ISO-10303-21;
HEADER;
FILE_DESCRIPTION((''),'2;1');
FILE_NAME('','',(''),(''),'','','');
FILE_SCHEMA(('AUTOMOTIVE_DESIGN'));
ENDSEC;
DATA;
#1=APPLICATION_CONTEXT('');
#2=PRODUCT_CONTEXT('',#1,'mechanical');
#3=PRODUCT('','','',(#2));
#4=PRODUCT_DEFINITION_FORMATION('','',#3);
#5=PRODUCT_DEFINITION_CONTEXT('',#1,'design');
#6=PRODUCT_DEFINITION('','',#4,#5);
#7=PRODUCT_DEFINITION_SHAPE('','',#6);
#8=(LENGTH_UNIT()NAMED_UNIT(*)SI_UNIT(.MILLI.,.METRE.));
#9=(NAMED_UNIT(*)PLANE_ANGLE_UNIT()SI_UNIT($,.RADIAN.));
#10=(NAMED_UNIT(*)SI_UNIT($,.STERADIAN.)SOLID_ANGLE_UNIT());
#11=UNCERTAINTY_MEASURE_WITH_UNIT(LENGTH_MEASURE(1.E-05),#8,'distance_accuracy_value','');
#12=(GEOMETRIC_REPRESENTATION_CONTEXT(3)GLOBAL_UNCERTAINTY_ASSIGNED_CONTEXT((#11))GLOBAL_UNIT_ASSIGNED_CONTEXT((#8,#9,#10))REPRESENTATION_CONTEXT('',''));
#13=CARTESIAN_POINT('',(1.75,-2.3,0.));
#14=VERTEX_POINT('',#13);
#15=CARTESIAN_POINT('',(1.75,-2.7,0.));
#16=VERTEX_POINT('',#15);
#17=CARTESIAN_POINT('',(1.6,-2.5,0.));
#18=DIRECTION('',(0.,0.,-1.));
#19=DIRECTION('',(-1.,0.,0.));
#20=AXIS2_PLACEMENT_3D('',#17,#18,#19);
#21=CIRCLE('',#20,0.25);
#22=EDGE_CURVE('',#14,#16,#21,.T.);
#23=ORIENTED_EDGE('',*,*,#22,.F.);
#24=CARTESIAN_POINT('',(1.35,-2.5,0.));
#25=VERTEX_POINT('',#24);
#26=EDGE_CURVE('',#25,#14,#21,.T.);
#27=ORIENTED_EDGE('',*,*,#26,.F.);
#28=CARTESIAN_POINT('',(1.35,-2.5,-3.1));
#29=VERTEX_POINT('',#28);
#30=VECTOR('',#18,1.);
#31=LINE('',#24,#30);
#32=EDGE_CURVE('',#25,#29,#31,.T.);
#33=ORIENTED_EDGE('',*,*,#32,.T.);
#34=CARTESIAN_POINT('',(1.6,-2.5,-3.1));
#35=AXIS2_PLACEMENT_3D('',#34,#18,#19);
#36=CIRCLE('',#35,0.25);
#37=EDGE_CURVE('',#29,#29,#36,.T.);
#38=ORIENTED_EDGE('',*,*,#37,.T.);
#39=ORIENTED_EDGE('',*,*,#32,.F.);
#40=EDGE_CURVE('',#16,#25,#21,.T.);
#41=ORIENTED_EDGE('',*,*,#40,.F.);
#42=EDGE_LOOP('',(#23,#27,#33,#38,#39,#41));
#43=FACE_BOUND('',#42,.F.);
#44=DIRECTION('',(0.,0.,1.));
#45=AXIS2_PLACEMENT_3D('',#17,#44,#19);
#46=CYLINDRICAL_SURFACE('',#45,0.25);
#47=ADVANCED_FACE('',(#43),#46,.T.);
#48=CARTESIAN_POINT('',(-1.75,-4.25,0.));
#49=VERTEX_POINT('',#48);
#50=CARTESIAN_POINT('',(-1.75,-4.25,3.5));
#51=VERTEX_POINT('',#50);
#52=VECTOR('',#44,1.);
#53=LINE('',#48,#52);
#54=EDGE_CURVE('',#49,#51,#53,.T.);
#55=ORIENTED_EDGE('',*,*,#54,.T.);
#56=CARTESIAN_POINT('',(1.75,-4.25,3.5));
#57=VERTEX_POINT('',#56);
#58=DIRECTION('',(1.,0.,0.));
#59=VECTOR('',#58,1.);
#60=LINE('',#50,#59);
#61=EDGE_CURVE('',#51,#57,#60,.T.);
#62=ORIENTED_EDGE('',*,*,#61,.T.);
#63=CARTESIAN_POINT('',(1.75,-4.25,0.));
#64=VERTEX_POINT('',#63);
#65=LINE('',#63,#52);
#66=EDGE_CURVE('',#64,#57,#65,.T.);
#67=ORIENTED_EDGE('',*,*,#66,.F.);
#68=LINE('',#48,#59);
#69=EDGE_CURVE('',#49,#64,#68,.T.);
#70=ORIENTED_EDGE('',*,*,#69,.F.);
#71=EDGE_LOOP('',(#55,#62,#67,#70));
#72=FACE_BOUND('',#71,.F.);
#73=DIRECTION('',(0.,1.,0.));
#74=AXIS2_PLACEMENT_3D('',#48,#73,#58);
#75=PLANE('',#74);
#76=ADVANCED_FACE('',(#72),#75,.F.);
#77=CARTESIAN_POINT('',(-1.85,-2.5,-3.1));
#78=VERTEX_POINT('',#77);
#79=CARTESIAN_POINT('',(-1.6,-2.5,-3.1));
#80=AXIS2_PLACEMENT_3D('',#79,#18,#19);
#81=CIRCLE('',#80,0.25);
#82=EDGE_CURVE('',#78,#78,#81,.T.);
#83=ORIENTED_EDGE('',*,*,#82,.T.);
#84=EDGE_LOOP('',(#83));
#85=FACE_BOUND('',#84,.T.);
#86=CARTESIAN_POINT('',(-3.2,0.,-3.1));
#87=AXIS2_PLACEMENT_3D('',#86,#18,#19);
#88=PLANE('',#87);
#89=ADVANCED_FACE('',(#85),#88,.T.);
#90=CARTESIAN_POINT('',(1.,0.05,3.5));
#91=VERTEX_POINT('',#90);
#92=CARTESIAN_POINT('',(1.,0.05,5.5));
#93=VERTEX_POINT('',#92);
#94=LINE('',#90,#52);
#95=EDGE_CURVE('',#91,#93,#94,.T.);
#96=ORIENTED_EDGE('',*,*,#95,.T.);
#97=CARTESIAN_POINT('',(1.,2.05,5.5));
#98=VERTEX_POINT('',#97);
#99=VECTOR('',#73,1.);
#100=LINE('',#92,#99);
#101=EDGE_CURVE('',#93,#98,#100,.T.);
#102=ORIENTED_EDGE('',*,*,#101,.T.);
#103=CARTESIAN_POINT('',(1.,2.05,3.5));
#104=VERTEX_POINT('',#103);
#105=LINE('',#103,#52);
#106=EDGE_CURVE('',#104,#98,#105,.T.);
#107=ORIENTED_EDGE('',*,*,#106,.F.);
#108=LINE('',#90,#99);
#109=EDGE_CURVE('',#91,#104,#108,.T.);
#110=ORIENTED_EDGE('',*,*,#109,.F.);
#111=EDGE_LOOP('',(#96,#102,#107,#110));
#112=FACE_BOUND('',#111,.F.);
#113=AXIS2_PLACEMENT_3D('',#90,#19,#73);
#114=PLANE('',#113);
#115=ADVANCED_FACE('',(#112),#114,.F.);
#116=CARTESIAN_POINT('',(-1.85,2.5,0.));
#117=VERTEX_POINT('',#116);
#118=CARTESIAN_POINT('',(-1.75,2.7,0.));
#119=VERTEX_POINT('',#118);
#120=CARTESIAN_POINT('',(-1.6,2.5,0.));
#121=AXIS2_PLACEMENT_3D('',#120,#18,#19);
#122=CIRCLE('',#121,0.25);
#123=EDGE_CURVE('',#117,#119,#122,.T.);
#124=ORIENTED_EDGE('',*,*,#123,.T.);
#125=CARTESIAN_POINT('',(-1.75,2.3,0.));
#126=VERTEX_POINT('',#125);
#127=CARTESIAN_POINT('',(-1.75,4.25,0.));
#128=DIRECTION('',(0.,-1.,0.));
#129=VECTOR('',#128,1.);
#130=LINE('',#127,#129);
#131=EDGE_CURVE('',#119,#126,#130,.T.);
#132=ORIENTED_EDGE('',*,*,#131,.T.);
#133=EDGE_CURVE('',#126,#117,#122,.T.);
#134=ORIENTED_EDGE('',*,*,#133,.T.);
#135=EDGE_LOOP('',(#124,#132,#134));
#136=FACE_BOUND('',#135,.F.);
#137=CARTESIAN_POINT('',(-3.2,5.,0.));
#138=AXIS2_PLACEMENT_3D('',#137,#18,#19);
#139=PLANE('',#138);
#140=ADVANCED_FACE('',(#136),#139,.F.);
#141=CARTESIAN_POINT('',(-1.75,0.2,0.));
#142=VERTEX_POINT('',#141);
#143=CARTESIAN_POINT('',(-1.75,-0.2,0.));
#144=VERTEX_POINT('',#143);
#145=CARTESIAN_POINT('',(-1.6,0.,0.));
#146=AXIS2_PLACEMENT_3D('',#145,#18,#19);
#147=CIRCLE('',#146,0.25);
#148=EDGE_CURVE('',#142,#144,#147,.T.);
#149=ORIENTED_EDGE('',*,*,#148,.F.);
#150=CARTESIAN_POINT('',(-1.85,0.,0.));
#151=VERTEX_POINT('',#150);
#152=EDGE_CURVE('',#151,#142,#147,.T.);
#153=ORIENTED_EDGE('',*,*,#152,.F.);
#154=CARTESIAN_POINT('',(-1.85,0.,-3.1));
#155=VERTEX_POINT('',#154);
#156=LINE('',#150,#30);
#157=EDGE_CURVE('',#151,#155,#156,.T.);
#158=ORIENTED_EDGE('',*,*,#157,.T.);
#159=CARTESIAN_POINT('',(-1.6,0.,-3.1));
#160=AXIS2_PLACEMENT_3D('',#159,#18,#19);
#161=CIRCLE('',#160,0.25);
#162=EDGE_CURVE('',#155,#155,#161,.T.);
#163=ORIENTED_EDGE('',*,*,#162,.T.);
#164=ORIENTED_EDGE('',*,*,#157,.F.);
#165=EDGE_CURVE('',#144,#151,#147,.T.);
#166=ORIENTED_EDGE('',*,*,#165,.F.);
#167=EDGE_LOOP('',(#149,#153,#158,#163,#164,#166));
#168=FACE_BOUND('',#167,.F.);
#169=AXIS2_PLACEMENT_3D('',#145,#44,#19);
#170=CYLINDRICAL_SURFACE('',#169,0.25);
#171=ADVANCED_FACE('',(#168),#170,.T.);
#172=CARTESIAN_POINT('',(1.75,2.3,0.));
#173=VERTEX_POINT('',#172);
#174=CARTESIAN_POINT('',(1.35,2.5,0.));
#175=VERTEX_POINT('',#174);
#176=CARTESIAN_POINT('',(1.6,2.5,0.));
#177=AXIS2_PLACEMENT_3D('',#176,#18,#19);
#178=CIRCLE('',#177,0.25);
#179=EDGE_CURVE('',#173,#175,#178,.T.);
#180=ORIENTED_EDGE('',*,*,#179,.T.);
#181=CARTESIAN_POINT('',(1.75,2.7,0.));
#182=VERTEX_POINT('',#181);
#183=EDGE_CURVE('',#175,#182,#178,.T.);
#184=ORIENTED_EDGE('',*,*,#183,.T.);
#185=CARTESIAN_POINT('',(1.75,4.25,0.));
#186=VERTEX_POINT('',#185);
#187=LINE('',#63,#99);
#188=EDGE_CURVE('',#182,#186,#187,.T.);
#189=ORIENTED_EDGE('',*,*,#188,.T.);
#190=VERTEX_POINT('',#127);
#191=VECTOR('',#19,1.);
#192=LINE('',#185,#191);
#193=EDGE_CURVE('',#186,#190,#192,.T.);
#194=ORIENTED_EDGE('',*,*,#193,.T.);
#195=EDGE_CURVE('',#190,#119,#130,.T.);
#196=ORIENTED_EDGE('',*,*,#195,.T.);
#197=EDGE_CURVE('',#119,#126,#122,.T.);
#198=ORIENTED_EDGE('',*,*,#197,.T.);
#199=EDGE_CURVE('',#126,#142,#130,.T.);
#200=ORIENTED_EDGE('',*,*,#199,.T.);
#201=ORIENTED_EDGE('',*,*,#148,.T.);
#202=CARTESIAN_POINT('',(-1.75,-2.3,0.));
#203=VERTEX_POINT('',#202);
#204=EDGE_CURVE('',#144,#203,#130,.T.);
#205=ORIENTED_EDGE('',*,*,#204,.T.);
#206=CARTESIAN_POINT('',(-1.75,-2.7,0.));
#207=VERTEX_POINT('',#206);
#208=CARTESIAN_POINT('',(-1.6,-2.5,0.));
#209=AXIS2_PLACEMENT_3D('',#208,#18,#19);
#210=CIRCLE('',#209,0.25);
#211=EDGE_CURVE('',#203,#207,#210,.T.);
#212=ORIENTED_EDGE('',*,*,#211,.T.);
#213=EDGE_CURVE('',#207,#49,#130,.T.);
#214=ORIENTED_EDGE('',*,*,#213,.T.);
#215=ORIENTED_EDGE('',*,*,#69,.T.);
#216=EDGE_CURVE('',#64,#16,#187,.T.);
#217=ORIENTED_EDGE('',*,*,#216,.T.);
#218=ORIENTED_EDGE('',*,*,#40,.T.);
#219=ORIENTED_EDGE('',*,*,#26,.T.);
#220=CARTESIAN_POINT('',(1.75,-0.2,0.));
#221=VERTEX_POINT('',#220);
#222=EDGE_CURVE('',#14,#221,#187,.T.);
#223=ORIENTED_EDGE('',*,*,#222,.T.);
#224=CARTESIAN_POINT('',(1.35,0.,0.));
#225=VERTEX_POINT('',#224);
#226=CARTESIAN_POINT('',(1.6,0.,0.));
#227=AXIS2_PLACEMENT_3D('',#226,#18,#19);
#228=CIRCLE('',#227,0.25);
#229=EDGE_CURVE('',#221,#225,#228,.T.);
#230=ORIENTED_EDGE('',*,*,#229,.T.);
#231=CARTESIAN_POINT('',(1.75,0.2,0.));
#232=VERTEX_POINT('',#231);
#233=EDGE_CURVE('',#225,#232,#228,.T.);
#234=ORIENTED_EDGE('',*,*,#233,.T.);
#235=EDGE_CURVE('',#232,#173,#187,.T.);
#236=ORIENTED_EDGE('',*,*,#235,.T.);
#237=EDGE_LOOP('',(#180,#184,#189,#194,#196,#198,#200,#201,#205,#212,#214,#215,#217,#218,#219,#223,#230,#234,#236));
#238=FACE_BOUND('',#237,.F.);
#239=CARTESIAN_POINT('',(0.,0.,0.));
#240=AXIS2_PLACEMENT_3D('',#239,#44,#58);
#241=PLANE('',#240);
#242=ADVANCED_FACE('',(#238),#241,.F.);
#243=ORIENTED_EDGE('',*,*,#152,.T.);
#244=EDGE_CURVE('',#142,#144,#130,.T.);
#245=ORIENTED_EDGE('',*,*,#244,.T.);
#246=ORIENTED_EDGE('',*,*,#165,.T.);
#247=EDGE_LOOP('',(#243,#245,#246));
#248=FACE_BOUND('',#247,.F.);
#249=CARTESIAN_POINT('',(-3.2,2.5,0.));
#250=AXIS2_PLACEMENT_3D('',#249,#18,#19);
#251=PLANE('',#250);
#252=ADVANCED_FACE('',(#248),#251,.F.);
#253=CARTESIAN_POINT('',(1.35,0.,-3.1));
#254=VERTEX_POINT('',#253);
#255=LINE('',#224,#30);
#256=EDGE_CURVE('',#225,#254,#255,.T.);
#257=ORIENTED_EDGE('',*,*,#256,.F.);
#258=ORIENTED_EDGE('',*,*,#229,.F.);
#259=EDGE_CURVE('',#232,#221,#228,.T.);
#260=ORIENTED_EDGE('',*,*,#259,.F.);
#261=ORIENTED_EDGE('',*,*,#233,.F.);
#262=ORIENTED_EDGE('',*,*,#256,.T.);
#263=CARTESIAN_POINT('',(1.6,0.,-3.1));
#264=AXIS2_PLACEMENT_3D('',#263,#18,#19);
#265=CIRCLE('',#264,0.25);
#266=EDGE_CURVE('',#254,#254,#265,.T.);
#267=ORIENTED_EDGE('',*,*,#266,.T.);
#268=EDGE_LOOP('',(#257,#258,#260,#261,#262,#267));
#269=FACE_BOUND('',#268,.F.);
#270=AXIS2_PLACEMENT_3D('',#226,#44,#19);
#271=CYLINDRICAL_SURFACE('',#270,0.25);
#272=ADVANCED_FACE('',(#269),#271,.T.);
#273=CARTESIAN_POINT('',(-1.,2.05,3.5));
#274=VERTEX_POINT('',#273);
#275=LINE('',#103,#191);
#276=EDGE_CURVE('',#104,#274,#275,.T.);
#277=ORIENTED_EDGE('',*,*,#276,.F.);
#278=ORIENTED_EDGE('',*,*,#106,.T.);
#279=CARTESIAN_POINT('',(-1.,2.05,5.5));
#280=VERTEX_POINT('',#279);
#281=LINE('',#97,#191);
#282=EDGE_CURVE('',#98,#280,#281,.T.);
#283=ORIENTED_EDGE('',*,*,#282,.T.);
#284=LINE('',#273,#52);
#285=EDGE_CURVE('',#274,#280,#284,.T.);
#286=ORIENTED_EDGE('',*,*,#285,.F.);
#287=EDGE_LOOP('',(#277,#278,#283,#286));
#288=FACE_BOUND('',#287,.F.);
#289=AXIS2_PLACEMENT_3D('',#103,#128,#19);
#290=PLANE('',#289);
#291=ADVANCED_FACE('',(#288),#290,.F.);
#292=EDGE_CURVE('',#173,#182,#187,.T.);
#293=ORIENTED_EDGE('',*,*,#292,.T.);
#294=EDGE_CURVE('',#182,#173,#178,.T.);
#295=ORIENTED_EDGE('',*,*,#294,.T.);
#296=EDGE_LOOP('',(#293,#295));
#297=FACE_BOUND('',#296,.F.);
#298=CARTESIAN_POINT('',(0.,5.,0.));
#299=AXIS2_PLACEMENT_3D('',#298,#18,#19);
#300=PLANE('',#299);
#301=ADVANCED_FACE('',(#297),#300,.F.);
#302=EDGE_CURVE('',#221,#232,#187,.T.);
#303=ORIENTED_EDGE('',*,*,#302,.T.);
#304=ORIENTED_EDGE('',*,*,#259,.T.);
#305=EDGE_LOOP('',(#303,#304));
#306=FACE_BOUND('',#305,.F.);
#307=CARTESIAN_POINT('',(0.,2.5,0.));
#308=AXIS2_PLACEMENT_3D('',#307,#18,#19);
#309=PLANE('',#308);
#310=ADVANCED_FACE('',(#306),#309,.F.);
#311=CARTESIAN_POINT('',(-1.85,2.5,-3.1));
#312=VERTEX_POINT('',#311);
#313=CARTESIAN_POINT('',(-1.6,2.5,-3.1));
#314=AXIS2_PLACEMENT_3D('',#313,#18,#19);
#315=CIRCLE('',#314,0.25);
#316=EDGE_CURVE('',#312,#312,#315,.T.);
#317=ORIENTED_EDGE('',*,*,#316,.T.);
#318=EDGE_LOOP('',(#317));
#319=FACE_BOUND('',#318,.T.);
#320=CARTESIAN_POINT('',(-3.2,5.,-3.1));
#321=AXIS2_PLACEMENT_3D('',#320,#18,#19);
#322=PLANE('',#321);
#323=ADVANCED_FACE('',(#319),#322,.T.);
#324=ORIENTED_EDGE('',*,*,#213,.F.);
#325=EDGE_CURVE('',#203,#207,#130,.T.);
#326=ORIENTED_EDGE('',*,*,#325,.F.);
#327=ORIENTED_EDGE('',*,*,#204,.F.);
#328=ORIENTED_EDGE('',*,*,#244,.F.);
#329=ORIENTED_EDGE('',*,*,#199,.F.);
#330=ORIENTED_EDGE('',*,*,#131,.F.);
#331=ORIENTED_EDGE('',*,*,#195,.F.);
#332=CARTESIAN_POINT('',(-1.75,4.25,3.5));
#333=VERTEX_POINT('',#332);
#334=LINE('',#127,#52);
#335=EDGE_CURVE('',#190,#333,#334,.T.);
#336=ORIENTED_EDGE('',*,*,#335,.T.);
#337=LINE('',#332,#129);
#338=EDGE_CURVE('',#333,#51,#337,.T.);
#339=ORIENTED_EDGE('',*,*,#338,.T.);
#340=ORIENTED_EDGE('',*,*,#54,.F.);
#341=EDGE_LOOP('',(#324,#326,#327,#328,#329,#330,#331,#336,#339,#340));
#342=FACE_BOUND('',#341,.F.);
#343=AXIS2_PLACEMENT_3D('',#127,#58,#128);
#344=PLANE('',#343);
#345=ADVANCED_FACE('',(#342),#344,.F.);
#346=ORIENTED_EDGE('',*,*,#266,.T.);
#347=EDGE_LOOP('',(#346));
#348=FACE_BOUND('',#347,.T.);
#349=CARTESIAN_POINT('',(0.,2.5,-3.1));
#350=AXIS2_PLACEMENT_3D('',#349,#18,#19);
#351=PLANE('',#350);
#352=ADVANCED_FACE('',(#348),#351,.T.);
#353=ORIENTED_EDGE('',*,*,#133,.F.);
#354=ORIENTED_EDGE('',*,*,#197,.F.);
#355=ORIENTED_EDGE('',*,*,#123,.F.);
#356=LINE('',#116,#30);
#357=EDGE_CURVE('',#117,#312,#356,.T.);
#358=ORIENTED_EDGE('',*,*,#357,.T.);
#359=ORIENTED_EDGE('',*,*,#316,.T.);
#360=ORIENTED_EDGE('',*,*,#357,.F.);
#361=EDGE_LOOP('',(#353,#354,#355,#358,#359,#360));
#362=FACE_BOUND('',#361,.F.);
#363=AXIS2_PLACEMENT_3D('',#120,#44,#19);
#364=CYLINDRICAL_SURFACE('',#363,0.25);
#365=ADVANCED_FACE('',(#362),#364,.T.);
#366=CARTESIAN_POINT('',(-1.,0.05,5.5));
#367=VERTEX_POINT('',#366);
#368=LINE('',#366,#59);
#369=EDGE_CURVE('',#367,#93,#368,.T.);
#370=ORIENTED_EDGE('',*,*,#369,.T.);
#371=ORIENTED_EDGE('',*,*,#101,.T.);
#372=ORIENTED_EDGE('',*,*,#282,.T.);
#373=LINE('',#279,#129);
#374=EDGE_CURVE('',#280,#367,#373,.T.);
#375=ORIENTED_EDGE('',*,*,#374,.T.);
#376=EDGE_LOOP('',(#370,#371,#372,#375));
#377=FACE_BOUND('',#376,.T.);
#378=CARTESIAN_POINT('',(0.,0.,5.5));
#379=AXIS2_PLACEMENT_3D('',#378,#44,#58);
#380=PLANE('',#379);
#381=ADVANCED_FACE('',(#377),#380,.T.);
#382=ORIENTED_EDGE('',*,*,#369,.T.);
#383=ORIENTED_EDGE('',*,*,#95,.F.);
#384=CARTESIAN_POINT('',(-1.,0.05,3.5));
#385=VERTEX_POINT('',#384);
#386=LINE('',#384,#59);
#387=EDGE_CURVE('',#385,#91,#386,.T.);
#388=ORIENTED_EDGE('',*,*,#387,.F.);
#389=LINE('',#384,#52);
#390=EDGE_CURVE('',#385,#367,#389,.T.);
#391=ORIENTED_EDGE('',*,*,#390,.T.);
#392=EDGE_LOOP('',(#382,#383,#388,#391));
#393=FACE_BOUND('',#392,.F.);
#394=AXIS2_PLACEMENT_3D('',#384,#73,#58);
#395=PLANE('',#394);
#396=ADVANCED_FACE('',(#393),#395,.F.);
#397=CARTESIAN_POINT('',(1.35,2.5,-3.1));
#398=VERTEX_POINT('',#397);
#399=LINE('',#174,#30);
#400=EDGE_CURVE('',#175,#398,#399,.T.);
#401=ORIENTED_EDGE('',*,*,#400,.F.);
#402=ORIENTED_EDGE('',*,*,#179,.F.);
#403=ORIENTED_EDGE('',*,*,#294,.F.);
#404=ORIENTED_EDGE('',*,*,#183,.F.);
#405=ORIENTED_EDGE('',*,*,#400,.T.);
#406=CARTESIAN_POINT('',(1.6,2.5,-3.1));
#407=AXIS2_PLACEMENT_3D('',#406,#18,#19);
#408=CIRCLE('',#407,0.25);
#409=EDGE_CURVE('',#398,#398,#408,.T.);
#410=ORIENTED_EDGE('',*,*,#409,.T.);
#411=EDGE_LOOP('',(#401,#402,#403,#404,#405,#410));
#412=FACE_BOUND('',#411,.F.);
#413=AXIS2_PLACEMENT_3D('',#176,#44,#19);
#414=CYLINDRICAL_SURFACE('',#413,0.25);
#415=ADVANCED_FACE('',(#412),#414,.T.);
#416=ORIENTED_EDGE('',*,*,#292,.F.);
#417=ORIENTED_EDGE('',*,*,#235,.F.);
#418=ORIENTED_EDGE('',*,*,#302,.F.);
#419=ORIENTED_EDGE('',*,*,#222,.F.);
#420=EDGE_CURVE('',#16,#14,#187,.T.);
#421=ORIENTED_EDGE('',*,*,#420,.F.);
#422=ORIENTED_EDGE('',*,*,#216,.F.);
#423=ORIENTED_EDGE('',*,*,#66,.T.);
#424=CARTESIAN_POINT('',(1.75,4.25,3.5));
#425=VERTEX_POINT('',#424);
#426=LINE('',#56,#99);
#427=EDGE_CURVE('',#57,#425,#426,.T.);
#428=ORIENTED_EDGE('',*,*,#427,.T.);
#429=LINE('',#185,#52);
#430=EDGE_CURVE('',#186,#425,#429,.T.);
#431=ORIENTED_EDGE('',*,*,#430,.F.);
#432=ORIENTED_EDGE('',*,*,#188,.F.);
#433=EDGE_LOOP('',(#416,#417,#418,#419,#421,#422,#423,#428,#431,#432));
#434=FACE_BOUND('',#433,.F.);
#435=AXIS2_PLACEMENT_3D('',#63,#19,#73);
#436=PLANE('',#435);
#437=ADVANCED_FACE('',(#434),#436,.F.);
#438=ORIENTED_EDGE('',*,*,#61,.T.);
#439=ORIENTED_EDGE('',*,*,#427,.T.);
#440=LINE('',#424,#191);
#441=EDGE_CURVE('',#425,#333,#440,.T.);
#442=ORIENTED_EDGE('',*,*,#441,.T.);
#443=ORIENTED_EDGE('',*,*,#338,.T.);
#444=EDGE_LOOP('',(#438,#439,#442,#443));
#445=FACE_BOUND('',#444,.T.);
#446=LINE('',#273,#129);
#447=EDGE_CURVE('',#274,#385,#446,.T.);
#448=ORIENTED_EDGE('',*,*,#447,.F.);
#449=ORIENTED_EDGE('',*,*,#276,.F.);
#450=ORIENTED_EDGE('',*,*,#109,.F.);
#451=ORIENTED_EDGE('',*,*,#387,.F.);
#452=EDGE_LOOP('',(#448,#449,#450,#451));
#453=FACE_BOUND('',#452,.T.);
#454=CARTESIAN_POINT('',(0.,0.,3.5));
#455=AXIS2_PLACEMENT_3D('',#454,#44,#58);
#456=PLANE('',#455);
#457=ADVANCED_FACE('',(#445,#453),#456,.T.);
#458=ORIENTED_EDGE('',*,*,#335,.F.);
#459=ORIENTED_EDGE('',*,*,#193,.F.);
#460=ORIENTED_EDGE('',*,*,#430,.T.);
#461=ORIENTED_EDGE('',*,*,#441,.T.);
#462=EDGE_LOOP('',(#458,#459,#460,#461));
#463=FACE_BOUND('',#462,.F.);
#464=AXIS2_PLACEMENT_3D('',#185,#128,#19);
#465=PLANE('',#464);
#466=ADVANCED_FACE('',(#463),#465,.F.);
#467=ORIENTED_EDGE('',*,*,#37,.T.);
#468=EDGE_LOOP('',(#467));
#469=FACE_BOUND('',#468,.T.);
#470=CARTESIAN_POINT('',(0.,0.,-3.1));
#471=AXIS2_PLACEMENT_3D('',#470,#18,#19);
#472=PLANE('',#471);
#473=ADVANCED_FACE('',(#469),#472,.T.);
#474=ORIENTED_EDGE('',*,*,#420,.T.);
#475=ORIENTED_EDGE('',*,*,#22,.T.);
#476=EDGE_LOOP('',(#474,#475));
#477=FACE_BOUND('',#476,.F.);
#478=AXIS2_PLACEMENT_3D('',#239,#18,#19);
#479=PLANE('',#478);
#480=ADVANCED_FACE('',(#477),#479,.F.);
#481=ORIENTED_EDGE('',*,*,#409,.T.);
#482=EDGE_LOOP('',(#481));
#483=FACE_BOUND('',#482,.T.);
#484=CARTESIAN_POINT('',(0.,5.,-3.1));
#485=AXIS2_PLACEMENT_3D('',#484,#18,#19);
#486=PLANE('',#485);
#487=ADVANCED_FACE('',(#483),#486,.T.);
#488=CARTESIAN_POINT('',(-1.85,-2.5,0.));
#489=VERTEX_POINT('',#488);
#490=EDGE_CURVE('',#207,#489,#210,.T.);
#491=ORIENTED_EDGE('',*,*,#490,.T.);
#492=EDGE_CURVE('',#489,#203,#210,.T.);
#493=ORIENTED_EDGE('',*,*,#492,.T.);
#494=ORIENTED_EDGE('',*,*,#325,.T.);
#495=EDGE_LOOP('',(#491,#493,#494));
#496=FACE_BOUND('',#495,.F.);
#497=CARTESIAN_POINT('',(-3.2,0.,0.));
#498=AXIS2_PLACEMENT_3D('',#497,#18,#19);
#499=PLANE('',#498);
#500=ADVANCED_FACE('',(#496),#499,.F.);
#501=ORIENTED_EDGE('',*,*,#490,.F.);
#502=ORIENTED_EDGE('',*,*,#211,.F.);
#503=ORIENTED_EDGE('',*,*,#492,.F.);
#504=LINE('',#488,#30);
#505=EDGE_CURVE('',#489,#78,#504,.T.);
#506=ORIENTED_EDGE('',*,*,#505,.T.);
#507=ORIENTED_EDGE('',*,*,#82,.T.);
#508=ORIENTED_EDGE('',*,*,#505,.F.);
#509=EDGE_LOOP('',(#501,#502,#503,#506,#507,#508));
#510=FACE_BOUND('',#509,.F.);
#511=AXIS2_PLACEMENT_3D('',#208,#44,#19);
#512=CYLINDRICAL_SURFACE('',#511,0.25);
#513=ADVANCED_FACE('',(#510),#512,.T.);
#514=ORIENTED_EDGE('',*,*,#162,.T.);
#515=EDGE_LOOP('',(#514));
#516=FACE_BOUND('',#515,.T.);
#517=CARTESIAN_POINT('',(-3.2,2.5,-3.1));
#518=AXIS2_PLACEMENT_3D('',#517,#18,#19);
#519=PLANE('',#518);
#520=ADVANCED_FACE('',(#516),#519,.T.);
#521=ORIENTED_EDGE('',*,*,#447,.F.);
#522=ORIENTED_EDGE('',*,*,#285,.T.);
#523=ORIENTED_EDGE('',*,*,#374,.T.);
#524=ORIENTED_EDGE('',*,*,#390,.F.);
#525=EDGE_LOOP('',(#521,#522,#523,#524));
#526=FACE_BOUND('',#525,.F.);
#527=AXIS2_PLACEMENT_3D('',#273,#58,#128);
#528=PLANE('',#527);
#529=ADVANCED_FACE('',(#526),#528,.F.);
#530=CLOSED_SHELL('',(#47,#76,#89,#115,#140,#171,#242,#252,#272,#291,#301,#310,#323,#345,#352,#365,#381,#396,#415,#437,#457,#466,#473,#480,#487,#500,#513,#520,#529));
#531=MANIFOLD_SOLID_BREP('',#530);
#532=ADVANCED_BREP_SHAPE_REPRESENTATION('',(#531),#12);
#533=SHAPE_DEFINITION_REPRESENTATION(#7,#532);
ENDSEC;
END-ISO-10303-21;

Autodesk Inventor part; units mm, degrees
ref_plane "YZ Plane" through (0, 0, 0) normal (1, 0, 0) x (0, 1, 0)
ref_plane "XZ Plane" through (0, 0, 0) normal (0, 1, 0) x (-1, 0, 0)
ref_plane "XY Plane" through (0, 0, 0) normal (0, 0, 1) x (1, 0, 0)
sketch "スケッチ1" plane through (0, 0, 0) normal (0, 0, 1) x (1, 0, 0)
  line L0 (-1.75, -4.25) -> (1.75, -4.25)
  line L1 (1.75, -4.25) -> (1.75, 4.25)
  line L2 (1.75, 4.25) -> (-1.75, 4.25)
  line L3 (-1.75, 4.25) -> (-1.75, -4.25)
  line L4 (-1.75, -4.25) -> (1.75, 4.25) construction
  line L5 (1.75, -4.25) -> (-1.75, 4.25) construction
  point P0 (0, 0)
  dimension "d0" = 3.5
  dimension "d1" = 8.5
extrude "押し出し1" add sketch "スケッチ1" along normal blind 3.5
sketch "スケッチ2" plane through (0, 0, 0) normal (0, 0, -1) x (-1, 0, 0)
  line L0 (1.6, -2.5) -> (-1.6, -2.5) construction
  line L1 (-1.6, -2.5) -> (-1.6, 2.5) construction
  line L2 (-1.6, 2.5) -> (1.6, 2.5) construction
  line L3 (1.6, 2.5) -> (1.6, -2.5) construction
  line L4 (1.6, -2.5) -> (-1.6, 2.5) construction
  line L5 (-1.6, -2.5) -> (1.6, 2.5) construction
  circle A0 centre (-1.6, -2.5) radius 0.25
  point P0 (0, 0)
  dimension "d4" = 3.2
  dimension "d5" = 5
  dimension "d6" = 0.5
extrude "押し出し2" add sketch "スケッチ2" along normal blind 3.1
pattern_linear "矩形状パターン1" count 3 spacing 2.5 along (0, 1, 0) count 2 spacing 3.2 along (-1, 0, 0) of "押し出し2"
sketch "スケッチ3" plane through (0, 0, 3.5) normal (0, 0, 1) x (1, 0, 0)
  line L0 (-1, 0.05) -> (1, 0.05)
  line L1 (1, 0.05) -> (1, 2.05)
  line L2 (1, 2.05) -> (-1, 2.05)
  line L3 (-1, 2.05) -> (-1, 0.05)
  line L4 (-1, 0.05) -> (1, 2.05) construction
  line L5 (1, 0.05) -> (-1, 2.05) construction
  line L6 (1.75, 4.25) -> (-1.75, 4.25) projected
  point P0 (0, 0)
  point P1 (0, 1.05)
  point P2 (0, 1.05)
  dimension "d15" = 2
  dimension "d16" = 4.2
extrude "押し出し3" add sketch "スケッチ3" along normal blind 2
properties part number "IS-1250"
